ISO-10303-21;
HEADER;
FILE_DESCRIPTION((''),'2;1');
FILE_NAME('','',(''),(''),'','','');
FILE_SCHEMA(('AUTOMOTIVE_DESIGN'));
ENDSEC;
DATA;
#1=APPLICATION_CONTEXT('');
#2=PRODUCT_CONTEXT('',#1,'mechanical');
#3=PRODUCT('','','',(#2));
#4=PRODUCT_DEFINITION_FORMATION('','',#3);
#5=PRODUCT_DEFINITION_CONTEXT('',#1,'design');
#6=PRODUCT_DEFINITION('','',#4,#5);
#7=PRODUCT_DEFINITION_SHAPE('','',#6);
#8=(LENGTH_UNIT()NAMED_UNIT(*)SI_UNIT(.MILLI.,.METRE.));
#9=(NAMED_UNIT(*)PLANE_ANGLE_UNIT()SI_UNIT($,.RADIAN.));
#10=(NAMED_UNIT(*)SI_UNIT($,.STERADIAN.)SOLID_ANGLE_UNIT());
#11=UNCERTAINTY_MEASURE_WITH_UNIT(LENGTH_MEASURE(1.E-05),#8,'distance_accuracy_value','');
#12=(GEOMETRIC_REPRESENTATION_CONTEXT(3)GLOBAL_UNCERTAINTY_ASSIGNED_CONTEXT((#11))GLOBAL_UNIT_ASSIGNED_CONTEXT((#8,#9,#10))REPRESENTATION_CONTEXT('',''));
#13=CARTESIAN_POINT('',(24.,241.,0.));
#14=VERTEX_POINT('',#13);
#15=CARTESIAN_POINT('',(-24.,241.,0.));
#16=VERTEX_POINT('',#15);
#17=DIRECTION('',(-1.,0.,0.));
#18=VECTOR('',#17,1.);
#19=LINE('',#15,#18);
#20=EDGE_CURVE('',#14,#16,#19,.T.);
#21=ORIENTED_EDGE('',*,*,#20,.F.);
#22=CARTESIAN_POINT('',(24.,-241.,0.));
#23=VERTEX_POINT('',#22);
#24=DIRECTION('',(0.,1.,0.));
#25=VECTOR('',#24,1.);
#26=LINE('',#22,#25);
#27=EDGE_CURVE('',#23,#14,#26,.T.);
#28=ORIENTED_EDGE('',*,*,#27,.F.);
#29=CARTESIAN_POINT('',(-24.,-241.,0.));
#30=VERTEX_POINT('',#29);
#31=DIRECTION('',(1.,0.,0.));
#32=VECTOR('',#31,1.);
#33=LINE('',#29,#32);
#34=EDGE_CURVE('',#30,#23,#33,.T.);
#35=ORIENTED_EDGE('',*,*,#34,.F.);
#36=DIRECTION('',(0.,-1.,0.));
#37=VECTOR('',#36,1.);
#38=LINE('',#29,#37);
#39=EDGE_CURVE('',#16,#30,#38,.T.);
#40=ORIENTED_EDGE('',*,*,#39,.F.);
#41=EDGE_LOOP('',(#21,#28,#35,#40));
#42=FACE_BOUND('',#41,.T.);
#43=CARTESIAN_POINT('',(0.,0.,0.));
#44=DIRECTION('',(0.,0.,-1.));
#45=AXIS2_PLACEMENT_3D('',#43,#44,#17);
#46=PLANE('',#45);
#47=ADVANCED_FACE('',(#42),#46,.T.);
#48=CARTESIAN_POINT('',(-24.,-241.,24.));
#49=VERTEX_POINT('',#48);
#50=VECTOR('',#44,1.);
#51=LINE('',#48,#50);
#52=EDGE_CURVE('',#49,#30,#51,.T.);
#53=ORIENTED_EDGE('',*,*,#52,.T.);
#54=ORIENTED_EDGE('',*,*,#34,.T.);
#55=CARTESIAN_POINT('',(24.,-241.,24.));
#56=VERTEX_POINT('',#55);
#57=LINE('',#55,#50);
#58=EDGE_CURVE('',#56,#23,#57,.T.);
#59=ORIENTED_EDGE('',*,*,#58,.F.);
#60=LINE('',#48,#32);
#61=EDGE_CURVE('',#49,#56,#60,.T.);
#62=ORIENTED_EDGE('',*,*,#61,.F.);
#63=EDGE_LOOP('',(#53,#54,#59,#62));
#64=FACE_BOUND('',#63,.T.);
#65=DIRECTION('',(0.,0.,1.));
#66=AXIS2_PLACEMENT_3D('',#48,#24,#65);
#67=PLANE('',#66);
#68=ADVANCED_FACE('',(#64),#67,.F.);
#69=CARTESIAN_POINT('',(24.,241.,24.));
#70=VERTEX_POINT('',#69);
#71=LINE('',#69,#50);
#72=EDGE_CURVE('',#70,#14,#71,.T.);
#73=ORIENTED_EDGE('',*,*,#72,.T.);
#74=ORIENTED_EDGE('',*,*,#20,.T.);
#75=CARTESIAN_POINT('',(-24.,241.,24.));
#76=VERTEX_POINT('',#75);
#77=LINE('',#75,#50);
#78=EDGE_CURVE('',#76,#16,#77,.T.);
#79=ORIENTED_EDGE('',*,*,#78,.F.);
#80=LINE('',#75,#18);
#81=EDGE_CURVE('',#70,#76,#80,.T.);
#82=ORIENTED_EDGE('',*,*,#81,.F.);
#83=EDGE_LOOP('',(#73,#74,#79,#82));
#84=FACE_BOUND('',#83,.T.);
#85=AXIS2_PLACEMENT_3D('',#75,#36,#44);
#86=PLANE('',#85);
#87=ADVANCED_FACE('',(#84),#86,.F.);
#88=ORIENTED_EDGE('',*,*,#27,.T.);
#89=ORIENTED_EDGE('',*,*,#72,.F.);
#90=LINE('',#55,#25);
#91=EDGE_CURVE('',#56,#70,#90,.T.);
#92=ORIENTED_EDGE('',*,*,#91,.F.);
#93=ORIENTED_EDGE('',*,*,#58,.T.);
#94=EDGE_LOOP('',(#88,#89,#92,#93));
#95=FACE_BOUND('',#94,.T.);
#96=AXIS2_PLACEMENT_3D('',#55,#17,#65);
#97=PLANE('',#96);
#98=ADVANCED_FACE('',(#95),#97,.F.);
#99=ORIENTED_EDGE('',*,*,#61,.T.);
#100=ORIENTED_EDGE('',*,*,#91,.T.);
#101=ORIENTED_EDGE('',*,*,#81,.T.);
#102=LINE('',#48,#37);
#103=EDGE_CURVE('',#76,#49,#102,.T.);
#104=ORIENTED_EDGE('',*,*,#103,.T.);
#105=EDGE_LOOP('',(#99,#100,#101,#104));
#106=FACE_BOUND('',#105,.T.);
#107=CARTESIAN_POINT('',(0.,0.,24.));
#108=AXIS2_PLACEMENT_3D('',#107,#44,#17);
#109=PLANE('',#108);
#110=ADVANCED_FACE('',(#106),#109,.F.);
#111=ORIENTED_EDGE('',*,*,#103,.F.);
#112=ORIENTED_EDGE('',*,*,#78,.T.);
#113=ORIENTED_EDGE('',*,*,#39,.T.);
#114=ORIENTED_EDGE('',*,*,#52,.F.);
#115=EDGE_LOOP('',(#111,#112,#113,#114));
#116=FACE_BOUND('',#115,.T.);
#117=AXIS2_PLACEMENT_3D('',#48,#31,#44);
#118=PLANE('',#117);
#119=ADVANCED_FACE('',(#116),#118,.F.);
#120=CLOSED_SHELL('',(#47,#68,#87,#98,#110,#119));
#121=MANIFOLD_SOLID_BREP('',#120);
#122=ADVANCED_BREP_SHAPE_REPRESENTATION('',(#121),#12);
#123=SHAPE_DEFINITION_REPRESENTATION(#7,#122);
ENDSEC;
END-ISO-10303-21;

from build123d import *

# Parameters (mm, degrees)
ESQUISSE1_W        = 48
ESQUISSE1_H        = 482
BOSS_EXTRU_1_DEPTH = 24


with BuildPart() as part:
    # Esquisse1 → Boss.-Extru.1 (new body)
    with BuildSketch(Plane.XY):
        Rectangle(ESQUISSE1_W, ESQUISSE1_H)
    extrude(amount=BOSS_EXTRU_1_DEPTH)


solid = part.part
